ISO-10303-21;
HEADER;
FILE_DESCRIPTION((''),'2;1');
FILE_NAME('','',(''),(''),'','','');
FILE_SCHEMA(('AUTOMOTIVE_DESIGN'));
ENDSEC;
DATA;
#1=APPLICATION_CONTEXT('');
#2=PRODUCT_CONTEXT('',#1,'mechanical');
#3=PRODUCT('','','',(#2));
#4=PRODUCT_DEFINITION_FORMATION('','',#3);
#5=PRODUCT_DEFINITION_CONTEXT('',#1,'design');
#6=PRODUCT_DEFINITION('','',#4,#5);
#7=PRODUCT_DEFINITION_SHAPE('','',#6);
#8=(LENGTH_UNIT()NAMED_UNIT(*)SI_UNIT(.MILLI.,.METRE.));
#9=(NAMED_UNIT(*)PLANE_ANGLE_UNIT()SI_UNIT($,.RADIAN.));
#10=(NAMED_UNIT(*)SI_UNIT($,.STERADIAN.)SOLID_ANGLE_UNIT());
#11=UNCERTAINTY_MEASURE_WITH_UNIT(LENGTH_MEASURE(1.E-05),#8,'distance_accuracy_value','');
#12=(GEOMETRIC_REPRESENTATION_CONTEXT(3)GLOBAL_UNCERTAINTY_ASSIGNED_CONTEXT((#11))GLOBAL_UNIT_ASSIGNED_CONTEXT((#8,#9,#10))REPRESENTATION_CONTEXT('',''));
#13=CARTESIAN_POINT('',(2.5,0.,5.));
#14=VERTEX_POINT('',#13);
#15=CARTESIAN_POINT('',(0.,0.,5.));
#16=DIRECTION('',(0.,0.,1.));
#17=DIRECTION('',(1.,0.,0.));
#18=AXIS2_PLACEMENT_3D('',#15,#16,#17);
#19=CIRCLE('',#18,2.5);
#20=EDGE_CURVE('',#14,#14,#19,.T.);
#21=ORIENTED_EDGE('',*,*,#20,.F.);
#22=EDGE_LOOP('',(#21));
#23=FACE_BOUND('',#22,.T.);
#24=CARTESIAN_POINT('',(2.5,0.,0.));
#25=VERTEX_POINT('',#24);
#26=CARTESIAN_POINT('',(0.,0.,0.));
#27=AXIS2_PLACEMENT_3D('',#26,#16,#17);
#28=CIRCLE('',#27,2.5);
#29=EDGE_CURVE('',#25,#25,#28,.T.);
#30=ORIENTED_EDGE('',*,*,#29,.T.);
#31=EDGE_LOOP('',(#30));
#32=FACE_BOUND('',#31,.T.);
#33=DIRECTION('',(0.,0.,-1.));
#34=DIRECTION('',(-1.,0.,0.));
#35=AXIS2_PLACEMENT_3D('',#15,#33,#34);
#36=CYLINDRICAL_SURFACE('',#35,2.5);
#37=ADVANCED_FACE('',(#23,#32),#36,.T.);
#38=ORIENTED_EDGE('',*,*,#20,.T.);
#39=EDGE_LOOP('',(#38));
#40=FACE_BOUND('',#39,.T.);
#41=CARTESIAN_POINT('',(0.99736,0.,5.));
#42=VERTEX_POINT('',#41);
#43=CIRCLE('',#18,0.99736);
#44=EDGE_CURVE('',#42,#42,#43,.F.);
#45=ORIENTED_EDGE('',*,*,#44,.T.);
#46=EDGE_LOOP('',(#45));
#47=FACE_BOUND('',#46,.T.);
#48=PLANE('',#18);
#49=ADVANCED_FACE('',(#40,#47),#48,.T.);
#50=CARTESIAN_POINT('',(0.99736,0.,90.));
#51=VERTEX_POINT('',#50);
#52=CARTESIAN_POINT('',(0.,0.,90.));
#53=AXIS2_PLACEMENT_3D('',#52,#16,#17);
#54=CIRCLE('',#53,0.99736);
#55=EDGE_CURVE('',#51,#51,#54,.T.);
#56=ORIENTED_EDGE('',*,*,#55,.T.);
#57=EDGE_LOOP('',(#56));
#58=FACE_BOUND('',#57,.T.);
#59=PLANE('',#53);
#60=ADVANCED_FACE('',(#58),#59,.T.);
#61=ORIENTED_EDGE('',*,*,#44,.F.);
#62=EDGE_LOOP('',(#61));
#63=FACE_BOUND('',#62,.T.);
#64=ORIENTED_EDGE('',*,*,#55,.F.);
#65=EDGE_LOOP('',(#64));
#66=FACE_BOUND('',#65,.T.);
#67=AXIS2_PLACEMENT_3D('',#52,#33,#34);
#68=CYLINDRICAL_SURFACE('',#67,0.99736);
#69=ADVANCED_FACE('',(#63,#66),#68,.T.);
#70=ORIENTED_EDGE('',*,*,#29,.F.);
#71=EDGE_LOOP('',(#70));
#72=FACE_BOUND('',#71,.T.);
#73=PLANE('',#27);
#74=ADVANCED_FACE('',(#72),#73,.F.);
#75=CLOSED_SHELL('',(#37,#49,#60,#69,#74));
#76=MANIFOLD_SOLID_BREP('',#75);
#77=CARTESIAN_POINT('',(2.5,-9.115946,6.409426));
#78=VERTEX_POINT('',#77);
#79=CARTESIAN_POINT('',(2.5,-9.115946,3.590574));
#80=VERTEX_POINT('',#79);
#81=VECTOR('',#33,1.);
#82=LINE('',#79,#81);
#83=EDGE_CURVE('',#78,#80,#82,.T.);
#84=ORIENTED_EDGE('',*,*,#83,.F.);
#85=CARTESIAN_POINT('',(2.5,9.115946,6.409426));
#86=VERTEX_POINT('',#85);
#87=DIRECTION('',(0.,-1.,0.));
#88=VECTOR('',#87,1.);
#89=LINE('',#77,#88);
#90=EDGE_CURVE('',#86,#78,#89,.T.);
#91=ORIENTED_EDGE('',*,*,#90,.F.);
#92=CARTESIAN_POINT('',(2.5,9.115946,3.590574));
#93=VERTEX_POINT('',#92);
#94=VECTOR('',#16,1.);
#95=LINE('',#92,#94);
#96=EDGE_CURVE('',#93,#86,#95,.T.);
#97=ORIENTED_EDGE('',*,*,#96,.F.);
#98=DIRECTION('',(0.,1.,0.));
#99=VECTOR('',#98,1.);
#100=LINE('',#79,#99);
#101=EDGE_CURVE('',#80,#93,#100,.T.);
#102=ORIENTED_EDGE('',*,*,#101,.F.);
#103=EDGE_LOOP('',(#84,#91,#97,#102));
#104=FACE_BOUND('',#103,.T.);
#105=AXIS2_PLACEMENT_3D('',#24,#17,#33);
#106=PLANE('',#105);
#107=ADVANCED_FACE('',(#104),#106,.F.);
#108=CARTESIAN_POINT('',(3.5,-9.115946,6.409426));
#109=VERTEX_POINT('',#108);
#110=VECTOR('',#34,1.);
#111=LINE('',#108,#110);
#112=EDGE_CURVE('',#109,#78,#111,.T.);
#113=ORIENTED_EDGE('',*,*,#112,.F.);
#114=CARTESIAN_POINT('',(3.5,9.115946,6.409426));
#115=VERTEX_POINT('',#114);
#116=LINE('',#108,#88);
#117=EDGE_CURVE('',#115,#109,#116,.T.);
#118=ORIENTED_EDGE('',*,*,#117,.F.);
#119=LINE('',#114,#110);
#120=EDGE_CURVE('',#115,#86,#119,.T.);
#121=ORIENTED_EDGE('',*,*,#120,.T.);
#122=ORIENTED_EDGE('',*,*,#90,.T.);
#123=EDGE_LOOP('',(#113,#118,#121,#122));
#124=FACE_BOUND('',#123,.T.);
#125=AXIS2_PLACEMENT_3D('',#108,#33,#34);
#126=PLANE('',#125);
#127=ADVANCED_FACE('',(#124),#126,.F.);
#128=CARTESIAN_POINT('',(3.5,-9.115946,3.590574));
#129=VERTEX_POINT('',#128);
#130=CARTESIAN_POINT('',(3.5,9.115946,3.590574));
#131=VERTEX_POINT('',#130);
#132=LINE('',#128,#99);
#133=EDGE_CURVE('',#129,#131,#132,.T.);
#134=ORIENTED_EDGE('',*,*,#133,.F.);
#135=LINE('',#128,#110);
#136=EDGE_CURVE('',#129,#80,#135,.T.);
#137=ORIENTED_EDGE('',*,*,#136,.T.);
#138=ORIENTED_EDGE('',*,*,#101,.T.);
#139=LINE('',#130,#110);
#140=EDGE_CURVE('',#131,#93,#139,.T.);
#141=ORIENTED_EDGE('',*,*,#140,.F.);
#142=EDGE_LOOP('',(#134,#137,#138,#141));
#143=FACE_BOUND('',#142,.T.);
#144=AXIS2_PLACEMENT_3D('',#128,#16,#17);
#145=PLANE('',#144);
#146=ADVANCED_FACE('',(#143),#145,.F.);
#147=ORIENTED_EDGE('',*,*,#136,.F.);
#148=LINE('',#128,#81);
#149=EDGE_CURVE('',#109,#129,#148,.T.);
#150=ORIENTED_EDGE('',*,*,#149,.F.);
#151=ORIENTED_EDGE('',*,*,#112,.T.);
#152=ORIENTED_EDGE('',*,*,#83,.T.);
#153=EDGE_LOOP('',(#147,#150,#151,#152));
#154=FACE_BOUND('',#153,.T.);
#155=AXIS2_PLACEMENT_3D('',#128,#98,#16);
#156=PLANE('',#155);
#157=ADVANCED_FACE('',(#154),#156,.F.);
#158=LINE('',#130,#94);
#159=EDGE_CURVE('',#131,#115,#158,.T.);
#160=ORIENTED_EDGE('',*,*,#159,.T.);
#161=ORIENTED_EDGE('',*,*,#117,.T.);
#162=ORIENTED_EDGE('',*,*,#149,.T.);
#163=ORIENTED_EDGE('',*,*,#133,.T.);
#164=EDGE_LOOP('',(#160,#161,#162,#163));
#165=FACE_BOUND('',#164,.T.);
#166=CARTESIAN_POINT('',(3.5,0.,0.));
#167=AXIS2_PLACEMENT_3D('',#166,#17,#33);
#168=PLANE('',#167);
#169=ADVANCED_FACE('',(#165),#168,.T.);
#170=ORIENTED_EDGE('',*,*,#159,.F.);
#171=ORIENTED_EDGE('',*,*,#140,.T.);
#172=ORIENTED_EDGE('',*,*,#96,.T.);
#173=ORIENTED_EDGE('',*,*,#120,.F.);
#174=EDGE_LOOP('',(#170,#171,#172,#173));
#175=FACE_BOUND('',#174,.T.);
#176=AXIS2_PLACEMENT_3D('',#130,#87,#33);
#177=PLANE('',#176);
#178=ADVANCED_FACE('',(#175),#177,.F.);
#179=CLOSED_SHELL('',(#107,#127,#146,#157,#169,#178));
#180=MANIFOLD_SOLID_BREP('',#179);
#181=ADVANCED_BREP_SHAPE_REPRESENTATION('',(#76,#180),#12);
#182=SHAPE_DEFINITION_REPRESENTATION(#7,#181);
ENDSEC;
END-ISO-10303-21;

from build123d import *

# Parameters (mm, degrees)
ESQUISSE1_R        = 2.5
BOSS_EXTRU_1_DEPTH = 5
ESQUISSE2_R        = 0.997360315
BOSS_EXTRU_2_DEPTH = 90
ESQUISSE3_W        = 2.818851666
ESQUISSE3_H        = 18.231891376
BOSS_EXTRU_3_DEPTH = 1


with BuildPart() as part:
    # Esquisse1 → Boss.-Extru.1 (new body)
    with BuildSketch(Plane.XY):
        Circle(ESQUISSE1_R)
    extrude(amount=BOSS_EXTRU_1_DEPTH)

    # Esquisse2 → Boss.-Extru.2 (add)
    with BuildSketch(Plane.XY):
        Circle(ESQUISSE2_R)
    extrude(amount=BOSS_EXTRU_2_DEPTH)


with BuildPart() as body_2:
    # Esquisse3 → Boss.-Extru.3 (new body)
    with BuildSketch(Plane(origin=(2.5, 0, 0), x_dir=(0, 0, -1), z_dir=(1, 0, 0))):
        with Locations((-5, 0)):
            Rectangle(ESQUISSE3_W, ESQUISSE3_H)
    extrude(amount=BOSS_EXTRU_3_DEPTH)


solid = Compound([part.part, body_2.part])
